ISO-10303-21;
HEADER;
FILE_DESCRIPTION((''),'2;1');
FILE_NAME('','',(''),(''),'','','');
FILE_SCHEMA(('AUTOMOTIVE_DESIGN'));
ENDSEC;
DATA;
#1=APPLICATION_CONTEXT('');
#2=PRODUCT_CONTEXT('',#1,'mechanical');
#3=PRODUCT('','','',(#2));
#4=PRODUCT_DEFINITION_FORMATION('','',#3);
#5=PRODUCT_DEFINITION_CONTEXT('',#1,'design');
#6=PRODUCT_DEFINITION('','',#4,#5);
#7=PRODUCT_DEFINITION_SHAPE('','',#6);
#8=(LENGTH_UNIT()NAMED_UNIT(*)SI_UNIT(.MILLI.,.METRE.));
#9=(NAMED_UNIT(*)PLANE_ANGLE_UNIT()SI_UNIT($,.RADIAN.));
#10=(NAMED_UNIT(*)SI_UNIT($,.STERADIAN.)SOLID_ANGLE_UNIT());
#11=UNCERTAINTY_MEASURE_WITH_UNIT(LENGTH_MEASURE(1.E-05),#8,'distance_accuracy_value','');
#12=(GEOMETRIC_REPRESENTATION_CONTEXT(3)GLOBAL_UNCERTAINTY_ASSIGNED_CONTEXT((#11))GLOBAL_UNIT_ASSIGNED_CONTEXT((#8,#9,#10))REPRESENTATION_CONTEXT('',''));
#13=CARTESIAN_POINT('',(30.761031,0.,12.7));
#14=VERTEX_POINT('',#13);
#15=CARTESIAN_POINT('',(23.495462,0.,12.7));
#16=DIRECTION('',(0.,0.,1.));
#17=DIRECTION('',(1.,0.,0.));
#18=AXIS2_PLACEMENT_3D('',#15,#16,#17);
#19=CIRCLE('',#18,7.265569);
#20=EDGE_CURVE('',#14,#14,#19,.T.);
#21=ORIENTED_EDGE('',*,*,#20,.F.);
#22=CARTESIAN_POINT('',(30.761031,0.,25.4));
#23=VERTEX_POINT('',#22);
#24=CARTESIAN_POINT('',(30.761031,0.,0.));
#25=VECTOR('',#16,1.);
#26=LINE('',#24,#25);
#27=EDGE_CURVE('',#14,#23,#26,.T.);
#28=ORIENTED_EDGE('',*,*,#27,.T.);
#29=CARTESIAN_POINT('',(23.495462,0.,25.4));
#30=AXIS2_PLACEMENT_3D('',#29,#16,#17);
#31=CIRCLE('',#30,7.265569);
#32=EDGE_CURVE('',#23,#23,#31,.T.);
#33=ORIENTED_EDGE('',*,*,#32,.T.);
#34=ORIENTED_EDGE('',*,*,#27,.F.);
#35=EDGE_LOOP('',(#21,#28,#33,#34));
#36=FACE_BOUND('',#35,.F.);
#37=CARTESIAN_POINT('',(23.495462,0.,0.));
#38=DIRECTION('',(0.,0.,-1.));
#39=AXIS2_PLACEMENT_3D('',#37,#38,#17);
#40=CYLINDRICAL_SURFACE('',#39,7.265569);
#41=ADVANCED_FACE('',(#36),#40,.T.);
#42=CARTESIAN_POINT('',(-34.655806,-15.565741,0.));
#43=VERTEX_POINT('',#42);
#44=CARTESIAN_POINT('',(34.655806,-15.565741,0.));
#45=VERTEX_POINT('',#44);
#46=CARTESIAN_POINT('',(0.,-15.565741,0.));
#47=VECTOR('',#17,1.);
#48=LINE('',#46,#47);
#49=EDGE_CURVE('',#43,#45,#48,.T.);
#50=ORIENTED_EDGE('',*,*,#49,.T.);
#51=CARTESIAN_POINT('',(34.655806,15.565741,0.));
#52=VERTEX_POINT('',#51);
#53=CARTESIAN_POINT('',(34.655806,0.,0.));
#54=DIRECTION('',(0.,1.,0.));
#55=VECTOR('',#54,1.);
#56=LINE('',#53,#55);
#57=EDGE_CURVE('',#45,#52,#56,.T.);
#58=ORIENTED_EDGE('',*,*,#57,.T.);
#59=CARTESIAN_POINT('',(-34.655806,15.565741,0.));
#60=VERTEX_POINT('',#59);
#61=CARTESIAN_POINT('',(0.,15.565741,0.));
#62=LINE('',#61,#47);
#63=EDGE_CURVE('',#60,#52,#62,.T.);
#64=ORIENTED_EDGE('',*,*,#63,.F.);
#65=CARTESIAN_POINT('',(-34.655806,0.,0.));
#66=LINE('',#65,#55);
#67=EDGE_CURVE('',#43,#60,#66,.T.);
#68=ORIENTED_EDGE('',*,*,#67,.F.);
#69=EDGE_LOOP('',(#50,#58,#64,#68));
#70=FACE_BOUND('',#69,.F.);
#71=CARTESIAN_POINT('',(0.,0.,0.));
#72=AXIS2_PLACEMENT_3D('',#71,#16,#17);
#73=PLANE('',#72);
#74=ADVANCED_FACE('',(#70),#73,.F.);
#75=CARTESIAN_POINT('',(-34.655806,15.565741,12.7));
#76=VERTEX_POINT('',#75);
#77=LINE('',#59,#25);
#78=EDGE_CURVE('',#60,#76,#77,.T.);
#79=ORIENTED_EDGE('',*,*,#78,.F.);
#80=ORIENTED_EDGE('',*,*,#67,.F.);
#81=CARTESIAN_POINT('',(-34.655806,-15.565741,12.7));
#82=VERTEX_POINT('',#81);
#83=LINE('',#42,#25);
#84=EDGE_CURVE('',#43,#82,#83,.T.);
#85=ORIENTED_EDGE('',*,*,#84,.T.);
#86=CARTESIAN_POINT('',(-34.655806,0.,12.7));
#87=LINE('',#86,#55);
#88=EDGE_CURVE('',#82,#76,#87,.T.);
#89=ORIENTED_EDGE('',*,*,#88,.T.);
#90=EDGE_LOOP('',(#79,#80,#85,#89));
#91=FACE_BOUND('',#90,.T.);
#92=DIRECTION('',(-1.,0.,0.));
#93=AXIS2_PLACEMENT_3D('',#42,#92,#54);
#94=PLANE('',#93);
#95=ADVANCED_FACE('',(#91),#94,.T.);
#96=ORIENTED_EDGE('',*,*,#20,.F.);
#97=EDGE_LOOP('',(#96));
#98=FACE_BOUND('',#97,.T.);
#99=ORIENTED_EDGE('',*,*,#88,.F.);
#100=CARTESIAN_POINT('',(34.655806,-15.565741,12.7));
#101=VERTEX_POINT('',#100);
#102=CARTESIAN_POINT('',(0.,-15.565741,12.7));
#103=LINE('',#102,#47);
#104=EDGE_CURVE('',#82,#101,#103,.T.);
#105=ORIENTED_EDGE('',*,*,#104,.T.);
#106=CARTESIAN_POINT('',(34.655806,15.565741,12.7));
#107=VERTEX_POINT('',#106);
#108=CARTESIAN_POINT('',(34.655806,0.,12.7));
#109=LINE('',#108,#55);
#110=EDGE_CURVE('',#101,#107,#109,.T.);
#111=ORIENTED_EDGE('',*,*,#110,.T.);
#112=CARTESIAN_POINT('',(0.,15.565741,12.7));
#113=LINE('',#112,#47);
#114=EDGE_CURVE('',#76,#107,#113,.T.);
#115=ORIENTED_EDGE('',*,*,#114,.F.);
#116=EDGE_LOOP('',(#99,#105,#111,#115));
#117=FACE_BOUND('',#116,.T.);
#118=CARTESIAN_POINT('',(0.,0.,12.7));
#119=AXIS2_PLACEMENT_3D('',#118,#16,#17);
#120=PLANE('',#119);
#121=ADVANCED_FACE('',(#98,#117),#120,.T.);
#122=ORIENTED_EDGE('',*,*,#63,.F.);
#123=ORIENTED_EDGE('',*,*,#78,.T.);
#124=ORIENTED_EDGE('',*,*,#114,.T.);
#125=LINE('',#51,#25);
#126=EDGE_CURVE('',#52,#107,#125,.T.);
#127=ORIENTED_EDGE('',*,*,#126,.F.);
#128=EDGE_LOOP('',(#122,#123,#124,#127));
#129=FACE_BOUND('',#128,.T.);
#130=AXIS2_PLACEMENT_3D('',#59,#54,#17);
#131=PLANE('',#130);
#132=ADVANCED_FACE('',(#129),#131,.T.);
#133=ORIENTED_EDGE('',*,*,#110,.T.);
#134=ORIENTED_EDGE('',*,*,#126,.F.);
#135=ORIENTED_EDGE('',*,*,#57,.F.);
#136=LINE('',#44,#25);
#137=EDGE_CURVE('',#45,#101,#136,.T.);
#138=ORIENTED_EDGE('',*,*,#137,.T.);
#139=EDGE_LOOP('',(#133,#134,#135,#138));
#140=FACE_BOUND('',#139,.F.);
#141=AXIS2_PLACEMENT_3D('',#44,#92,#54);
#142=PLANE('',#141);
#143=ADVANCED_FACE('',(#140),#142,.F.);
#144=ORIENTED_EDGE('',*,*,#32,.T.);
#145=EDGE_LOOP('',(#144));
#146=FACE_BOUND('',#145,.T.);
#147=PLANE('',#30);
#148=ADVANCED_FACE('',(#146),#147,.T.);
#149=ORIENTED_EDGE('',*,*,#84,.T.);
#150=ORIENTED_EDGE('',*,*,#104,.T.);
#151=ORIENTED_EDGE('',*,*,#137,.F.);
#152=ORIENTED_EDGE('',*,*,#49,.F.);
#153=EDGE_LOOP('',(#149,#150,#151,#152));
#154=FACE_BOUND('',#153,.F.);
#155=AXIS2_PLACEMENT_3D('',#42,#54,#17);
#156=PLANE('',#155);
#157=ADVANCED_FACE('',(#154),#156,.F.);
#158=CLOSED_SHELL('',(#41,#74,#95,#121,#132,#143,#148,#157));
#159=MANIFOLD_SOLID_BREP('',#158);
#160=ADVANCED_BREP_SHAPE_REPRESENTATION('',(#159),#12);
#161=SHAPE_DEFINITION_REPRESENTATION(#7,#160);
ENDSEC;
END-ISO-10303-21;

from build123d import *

# Parameters (mm, degrees)
F0_R     = 7.265569
F1_DEPTH = 25.4
F0_W     = 69.311612
F0_H     = 31.131482
F2_DEPTH = 12.7


with BuildPart() as f1:
    # F0 (on Top) → F1 (new body)
    with BuildSketch(Plane.XY):
        with Locations((23.495462, 0)):
            Circle(F0_R)
    extrude(amount=F1_DEPTH)

    # F0 (on Top) → F2 (join)
    with BuildSketch(Plane.XY):
        Rectangle(F0_W, F0_H)
        with Locations((23.495462, 0)):
            Circle(F0_R, mode=Mode.SUBTRACT)
    extrude(amount=F2_DEPTH)


solid = f1.part
